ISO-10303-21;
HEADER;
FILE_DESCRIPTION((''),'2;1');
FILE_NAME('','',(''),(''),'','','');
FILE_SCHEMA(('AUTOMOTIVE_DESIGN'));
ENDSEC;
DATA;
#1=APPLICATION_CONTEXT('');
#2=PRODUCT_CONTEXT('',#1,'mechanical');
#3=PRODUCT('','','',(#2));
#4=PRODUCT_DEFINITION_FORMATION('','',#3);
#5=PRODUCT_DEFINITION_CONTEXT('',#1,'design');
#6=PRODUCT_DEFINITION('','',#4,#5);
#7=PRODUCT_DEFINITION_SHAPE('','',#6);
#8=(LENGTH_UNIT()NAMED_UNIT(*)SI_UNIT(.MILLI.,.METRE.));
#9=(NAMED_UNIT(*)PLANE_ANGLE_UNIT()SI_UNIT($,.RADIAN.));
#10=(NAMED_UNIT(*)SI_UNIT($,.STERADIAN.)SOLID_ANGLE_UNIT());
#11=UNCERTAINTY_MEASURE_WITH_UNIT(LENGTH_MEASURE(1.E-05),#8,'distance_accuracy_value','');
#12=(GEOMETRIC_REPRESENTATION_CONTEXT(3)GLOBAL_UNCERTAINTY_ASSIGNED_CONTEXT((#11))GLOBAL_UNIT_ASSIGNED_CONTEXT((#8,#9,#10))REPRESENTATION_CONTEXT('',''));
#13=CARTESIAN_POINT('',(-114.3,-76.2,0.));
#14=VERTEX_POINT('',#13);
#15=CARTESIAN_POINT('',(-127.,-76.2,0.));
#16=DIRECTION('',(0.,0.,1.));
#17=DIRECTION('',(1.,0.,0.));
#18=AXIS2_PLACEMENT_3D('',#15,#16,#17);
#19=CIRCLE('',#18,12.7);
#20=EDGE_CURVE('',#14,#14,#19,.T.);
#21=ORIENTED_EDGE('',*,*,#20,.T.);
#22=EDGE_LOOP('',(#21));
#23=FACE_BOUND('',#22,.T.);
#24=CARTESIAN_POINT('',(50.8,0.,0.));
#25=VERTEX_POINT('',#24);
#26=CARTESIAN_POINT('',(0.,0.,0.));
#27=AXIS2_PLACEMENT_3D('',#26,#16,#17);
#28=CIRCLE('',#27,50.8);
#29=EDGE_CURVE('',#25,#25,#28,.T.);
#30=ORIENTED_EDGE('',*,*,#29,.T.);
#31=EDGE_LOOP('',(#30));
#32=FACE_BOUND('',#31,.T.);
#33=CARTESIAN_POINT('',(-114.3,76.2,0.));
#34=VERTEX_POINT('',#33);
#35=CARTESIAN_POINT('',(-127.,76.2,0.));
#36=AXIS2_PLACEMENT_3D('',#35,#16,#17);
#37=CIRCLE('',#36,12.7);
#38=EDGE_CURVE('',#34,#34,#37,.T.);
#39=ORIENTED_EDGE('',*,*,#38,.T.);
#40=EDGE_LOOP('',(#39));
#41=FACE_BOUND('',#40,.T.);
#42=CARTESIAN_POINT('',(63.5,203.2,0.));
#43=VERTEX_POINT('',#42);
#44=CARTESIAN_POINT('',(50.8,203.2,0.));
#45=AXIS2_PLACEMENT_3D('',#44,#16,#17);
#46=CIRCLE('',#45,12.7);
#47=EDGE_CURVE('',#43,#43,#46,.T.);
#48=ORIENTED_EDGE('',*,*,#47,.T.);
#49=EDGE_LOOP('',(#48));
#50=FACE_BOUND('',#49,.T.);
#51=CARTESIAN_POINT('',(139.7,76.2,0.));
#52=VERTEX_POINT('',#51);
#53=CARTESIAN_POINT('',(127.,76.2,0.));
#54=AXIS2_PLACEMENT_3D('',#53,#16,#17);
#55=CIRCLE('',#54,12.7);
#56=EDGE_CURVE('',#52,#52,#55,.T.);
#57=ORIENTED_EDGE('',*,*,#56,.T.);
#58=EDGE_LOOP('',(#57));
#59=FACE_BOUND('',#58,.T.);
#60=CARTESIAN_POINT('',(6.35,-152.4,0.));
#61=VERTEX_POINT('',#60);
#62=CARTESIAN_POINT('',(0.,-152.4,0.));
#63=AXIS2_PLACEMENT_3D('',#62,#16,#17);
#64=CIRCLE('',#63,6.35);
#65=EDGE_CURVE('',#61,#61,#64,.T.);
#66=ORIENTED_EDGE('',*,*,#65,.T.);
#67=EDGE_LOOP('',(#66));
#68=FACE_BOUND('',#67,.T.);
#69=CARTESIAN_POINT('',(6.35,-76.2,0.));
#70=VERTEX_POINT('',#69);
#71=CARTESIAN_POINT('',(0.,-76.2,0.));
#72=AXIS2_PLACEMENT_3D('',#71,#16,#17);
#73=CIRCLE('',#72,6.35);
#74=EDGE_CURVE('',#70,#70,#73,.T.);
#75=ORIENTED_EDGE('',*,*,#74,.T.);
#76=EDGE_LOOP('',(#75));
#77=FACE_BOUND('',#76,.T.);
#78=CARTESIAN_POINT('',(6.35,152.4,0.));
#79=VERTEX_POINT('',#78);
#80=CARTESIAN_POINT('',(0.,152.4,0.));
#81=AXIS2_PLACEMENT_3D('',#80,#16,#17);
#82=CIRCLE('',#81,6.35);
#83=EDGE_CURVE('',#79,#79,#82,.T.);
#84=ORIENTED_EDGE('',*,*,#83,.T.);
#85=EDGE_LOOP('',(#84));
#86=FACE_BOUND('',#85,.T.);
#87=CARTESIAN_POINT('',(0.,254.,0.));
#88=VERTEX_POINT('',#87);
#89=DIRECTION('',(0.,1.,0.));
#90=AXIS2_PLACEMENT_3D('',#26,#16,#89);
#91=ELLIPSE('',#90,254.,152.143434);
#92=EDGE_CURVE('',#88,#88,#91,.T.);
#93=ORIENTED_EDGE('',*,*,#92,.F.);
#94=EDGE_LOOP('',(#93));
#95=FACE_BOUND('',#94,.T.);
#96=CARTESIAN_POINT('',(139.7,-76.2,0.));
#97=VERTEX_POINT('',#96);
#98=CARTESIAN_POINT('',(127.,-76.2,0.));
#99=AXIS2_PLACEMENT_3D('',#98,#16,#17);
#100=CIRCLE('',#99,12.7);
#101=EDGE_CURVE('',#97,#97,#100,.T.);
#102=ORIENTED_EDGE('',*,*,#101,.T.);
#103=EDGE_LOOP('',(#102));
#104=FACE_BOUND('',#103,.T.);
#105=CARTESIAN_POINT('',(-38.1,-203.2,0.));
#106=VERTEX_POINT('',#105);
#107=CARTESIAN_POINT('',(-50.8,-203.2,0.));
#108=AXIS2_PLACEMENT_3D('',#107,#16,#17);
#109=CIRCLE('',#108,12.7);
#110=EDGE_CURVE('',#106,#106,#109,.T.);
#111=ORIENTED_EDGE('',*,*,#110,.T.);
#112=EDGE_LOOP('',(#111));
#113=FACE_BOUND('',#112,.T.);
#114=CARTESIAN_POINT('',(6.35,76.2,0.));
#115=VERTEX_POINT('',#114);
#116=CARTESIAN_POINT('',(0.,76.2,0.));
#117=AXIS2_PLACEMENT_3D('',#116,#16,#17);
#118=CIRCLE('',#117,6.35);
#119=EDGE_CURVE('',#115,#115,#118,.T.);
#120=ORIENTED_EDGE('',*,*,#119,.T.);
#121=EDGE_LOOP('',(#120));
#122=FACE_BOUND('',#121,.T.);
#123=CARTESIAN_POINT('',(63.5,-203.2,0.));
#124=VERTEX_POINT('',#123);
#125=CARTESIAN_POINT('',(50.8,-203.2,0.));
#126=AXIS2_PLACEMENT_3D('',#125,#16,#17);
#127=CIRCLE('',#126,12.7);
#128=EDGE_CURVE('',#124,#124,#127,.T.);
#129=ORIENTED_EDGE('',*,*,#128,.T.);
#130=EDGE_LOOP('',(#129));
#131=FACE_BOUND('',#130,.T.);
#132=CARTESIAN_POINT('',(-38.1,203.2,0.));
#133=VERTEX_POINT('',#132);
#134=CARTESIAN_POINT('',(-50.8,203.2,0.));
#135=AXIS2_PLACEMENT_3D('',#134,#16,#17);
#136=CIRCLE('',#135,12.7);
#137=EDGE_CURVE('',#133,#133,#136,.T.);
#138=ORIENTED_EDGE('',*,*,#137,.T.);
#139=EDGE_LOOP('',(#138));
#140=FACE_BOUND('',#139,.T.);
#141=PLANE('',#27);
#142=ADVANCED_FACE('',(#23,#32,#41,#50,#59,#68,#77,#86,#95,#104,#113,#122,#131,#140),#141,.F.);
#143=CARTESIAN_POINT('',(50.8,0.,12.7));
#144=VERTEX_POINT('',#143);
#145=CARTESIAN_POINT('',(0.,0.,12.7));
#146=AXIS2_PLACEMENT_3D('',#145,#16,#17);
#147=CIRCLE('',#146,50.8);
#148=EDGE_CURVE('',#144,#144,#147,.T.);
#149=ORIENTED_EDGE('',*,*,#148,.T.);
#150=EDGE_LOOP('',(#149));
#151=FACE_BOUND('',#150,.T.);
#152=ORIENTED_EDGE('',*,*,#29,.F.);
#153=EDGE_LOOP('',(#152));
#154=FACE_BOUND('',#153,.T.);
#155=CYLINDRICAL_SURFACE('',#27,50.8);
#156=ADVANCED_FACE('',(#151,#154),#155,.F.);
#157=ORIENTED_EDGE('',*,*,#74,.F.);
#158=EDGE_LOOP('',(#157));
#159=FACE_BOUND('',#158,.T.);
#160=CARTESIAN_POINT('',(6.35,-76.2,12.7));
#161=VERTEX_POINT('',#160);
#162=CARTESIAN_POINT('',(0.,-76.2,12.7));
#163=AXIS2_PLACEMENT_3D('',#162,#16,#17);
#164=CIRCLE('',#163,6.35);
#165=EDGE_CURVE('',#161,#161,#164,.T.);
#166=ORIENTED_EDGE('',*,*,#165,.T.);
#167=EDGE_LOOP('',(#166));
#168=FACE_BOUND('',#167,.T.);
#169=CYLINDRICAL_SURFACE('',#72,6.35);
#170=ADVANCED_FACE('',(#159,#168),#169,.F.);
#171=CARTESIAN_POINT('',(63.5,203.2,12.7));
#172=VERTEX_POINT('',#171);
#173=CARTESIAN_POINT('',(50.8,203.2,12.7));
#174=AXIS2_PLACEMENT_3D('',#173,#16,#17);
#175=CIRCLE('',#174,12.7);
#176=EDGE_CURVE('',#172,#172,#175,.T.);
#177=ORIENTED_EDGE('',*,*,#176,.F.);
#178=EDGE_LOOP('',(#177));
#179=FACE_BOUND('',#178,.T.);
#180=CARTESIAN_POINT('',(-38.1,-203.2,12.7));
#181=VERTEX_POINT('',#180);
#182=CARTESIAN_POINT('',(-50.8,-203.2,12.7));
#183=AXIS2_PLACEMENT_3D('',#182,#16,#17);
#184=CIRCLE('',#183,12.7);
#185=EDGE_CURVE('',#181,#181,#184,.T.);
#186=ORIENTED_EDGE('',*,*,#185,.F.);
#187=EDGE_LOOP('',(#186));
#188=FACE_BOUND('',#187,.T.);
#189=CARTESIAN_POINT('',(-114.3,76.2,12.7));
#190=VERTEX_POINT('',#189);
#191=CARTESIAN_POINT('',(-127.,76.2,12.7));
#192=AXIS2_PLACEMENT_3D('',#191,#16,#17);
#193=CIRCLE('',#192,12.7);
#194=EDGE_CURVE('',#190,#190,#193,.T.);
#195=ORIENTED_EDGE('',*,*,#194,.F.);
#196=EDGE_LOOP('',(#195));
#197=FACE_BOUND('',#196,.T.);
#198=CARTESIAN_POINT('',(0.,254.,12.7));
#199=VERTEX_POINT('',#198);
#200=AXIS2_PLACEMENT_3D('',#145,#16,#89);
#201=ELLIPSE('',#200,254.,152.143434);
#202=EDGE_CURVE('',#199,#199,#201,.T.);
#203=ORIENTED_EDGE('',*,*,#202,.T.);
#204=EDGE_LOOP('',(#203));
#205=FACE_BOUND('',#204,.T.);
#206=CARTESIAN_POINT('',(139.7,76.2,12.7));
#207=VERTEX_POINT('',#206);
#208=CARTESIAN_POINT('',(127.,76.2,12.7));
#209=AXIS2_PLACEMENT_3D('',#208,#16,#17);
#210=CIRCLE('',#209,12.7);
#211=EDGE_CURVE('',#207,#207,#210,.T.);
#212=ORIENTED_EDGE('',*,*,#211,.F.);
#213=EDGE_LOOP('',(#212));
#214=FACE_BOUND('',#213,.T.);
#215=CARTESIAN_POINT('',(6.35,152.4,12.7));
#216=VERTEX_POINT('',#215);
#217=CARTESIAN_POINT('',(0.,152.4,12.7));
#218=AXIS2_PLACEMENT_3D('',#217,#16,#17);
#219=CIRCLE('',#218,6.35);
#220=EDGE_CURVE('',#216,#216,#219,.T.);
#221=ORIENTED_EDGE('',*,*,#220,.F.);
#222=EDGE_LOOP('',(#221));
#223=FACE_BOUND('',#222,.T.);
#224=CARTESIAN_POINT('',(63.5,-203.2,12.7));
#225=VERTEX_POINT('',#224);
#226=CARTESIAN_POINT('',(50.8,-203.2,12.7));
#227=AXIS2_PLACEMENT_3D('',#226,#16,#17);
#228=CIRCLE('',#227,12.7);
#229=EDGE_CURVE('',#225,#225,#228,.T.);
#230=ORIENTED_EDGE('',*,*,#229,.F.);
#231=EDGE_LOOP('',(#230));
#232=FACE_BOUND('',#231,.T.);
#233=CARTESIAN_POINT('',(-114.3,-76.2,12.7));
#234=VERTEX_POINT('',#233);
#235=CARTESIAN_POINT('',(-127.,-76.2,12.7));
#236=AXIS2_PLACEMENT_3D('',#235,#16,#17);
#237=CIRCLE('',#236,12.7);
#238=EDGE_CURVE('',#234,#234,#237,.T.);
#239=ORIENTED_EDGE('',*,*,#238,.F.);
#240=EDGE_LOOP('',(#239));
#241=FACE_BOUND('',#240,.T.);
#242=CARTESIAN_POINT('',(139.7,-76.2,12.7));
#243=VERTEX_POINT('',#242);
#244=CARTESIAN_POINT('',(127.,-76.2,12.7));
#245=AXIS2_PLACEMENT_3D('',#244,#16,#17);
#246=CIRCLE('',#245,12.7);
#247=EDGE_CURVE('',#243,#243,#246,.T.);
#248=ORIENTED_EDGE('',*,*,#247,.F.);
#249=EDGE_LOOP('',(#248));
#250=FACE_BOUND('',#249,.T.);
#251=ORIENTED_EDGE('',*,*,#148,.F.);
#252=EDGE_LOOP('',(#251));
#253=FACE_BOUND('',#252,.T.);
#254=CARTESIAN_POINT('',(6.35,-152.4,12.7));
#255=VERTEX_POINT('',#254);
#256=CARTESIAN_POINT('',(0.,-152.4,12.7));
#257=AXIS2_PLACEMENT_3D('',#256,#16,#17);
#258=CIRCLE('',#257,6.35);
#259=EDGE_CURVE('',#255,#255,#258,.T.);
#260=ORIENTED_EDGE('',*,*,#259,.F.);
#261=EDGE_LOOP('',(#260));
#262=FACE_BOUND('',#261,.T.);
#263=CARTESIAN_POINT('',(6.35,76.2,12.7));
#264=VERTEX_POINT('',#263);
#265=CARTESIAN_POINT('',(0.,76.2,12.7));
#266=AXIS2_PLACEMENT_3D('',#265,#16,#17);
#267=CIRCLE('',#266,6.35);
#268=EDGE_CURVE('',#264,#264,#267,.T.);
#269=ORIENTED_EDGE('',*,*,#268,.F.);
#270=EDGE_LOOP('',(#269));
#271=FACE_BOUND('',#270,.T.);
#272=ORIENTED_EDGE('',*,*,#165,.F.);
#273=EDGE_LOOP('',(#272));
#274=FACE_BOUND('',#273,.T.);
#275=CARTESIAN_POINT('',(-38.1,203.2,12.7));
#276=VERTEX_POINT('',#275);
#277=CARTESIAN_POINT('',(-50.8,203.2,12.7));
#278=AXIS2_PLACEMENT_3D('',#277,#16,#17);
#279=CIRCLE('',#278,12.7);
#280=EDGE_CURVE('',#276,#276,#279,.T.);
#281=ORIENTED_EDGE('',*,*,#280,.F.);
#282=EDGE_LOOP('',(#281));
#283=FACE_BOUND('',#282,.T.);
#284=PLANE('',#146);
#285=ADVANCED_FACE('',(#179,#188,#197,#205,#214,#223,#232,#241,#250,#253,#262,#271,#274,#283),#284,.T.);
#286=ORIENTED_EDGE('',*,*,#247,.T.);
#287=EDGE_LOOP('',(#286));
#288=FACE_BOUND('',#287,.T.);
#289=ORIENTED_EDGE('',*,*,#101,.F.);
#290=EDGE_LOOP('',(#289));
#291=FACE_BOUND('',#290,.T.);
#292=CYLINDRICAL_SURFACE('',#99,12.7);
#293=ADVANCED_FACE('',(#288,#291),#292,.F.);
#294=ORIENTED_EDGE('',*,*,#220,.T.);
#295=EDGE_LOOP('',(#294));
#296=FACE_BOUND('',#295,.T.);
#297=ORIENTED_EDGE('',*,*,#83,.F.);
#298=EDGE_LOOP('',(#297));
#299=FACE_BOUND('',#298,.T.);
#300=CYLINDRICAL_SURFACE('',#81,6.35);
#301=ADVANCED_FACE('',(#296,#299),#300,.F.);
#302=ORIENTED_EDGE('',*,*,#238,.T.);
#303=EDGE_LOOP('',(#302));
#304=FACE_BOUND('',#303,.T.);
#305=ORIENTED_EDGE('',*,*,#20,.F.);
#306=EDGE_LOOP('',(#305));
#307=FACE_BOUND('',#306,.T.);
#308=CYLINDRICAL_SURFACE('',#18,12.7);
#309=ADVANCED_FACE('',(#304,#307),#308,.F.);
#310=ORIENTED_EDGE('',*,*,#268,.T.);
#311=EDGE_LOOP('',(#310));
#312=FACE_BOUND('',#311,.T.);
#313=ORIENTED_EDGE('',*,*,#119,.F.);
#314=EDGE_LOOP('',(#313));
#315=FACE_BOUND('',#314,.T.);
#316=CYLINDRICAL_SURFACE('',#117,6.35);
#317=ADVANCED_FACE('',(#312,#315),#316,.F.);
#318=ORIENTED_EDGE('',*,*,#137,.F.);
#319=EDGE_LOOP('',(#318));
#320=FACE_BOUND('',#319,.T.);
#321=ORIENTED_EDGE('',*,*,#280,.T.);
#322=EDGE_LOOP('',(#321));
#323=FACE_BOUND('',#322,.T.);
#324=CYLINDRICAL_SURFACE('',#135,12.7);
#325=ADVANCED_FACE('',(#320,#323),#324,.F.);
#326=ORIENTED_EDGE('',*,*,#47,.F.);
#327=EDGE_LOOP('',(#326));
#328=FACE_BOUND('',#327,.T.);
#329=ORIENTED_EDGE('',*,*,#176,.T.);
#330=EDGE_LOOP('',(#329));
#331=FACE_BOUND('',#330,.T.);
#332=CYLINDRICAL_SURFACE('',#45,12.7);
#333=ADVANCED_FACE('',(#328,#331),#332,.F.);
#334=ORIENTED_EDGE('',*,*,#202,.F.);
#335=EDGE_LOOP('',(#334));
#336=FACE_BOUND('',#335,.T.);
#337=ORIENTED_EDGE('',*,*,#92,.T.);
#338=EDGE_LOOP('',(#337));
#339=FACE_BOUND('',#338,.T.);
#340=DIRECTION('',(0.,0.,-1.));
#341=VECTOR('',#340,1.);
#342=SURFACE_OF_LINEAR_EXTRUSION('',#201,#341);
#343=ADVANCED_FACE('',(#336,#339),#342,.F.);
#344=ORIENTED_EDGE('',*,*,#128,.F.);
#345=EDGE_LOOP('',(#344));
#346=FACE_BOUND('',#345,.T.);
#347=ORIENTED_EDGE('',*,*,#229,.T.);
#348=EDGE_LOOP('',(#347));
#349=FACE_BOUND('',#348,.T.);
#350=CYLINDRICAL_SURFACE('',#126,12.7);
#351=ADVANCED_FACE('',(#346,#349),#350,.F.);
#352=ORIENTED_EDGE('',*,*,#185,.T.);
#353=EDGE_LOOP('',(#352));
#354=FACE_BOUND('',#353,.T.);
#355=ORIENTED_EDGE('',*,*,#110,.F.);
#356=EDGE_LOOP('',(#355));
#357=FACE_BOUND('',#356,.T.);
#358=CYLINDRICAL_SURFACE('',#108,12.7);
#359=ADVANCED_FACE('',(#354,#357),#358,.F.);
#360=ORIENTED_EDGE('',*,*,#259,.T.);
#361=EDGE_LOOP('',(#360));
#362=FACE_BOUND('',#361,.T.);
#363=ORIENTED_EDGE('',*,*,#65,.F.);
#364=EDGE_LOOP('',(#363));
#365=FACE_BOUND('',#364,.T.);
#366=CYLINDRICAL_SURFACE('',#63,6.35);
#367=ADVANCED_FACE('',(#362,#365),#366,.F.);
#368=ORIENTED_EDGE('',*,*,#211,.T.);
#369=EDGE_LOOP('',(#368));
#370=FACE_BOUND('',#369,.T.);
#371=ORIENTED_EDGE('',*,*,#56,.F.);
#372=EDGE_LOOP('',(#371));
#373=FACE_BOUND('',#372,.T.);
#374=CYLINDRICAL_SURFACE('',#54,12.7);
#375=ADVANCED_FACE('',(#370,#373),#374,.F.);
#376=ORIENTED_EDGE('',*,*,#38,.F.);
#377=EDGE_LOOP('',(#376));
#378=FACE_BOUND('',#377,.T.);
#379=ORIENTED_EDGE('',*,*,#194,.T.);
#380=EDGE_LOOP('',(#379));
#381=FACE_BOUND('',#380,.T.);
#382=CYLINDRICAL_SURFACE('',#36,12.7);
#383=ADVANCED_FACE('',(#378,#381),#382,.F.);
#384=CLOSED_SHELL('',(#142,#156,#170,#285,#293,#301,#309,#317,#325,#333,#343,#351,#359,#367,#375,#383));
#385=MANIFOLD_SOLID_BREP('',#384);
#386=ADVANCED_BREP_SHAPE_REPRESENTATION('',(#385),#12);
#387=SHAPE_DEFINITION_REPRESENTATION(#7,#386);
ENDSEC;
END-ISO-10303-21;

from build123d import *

# Parameters (mm, degrees)
SKETCH2_RX          = 254
SKETCH2_RY          = 152.143434343
BOSS_EXTRUDE2_DEPTH = 12.7
SKETCH3_R           = 50.8
SKETCH3_R_2         = 12.7
SKETCH3_R_3         = 6.35
CUT_EXTRUDE1_DEPTH  = 12.7


with BuildPart() as part:
    # Sketch2 → Boss-Extrude2 (new body)
    with BuildSketch(Plane(origin=(0, 0, 0), x_dir=(0, 1, 0), z_dir=(0, 0, 1))):
        with Locations((0, 0)):
            Ellipse(SKETCH2_RX, SKETCH2_RY)
    extrude(amount=BOSS_EXTRUDE2_DEPTH)

    # Sketch3 → Cut-Extrude1 (cut)
    with BuildSketch(Plane.XY.offset(12.7)):
        Circle(SKETCH3_R)
        with Locations((-50.8, 203.2)):
            Circle(SKETCH3_R_2)
        with Locations((50.8, 203.2)):
            Circle(SKETCH3_R_2)
        with Locations((127, 76.2)):
            Circle(SKETCH3_R_2)
        with Locations((127, -76.2)):
            Circle(SKETCH3_R_2)
        with Locations((-50.8, -203.2)):
            Circle(SKETCH3_R_2)
        with Locations((50.8, -203.2)):
            Circle(SKETCH3_R_2)
        with Locations((-127, 76.2)):
            Circle(SKETCH3_R_2)
        with Locations((-127, -76.2)):
            Circle(SKETCH3_R_2)
        with Locations((0, 76.2)):
            Circle(SKETCH3_R_3)
        with Locations((0, -76.2)):
            Circle(SKETCH3_R_3)
        with Locations((0, 152.4)):
            Circle(SKETCH3_R_3)
        with Locations((0, -152.4)):
            Circle(SKETCH3_R_3)
    extrude(amount=-CUT_EXTRUDE1_DEPTH, mode=Mode.SUBTRACT)


solid = part.part
